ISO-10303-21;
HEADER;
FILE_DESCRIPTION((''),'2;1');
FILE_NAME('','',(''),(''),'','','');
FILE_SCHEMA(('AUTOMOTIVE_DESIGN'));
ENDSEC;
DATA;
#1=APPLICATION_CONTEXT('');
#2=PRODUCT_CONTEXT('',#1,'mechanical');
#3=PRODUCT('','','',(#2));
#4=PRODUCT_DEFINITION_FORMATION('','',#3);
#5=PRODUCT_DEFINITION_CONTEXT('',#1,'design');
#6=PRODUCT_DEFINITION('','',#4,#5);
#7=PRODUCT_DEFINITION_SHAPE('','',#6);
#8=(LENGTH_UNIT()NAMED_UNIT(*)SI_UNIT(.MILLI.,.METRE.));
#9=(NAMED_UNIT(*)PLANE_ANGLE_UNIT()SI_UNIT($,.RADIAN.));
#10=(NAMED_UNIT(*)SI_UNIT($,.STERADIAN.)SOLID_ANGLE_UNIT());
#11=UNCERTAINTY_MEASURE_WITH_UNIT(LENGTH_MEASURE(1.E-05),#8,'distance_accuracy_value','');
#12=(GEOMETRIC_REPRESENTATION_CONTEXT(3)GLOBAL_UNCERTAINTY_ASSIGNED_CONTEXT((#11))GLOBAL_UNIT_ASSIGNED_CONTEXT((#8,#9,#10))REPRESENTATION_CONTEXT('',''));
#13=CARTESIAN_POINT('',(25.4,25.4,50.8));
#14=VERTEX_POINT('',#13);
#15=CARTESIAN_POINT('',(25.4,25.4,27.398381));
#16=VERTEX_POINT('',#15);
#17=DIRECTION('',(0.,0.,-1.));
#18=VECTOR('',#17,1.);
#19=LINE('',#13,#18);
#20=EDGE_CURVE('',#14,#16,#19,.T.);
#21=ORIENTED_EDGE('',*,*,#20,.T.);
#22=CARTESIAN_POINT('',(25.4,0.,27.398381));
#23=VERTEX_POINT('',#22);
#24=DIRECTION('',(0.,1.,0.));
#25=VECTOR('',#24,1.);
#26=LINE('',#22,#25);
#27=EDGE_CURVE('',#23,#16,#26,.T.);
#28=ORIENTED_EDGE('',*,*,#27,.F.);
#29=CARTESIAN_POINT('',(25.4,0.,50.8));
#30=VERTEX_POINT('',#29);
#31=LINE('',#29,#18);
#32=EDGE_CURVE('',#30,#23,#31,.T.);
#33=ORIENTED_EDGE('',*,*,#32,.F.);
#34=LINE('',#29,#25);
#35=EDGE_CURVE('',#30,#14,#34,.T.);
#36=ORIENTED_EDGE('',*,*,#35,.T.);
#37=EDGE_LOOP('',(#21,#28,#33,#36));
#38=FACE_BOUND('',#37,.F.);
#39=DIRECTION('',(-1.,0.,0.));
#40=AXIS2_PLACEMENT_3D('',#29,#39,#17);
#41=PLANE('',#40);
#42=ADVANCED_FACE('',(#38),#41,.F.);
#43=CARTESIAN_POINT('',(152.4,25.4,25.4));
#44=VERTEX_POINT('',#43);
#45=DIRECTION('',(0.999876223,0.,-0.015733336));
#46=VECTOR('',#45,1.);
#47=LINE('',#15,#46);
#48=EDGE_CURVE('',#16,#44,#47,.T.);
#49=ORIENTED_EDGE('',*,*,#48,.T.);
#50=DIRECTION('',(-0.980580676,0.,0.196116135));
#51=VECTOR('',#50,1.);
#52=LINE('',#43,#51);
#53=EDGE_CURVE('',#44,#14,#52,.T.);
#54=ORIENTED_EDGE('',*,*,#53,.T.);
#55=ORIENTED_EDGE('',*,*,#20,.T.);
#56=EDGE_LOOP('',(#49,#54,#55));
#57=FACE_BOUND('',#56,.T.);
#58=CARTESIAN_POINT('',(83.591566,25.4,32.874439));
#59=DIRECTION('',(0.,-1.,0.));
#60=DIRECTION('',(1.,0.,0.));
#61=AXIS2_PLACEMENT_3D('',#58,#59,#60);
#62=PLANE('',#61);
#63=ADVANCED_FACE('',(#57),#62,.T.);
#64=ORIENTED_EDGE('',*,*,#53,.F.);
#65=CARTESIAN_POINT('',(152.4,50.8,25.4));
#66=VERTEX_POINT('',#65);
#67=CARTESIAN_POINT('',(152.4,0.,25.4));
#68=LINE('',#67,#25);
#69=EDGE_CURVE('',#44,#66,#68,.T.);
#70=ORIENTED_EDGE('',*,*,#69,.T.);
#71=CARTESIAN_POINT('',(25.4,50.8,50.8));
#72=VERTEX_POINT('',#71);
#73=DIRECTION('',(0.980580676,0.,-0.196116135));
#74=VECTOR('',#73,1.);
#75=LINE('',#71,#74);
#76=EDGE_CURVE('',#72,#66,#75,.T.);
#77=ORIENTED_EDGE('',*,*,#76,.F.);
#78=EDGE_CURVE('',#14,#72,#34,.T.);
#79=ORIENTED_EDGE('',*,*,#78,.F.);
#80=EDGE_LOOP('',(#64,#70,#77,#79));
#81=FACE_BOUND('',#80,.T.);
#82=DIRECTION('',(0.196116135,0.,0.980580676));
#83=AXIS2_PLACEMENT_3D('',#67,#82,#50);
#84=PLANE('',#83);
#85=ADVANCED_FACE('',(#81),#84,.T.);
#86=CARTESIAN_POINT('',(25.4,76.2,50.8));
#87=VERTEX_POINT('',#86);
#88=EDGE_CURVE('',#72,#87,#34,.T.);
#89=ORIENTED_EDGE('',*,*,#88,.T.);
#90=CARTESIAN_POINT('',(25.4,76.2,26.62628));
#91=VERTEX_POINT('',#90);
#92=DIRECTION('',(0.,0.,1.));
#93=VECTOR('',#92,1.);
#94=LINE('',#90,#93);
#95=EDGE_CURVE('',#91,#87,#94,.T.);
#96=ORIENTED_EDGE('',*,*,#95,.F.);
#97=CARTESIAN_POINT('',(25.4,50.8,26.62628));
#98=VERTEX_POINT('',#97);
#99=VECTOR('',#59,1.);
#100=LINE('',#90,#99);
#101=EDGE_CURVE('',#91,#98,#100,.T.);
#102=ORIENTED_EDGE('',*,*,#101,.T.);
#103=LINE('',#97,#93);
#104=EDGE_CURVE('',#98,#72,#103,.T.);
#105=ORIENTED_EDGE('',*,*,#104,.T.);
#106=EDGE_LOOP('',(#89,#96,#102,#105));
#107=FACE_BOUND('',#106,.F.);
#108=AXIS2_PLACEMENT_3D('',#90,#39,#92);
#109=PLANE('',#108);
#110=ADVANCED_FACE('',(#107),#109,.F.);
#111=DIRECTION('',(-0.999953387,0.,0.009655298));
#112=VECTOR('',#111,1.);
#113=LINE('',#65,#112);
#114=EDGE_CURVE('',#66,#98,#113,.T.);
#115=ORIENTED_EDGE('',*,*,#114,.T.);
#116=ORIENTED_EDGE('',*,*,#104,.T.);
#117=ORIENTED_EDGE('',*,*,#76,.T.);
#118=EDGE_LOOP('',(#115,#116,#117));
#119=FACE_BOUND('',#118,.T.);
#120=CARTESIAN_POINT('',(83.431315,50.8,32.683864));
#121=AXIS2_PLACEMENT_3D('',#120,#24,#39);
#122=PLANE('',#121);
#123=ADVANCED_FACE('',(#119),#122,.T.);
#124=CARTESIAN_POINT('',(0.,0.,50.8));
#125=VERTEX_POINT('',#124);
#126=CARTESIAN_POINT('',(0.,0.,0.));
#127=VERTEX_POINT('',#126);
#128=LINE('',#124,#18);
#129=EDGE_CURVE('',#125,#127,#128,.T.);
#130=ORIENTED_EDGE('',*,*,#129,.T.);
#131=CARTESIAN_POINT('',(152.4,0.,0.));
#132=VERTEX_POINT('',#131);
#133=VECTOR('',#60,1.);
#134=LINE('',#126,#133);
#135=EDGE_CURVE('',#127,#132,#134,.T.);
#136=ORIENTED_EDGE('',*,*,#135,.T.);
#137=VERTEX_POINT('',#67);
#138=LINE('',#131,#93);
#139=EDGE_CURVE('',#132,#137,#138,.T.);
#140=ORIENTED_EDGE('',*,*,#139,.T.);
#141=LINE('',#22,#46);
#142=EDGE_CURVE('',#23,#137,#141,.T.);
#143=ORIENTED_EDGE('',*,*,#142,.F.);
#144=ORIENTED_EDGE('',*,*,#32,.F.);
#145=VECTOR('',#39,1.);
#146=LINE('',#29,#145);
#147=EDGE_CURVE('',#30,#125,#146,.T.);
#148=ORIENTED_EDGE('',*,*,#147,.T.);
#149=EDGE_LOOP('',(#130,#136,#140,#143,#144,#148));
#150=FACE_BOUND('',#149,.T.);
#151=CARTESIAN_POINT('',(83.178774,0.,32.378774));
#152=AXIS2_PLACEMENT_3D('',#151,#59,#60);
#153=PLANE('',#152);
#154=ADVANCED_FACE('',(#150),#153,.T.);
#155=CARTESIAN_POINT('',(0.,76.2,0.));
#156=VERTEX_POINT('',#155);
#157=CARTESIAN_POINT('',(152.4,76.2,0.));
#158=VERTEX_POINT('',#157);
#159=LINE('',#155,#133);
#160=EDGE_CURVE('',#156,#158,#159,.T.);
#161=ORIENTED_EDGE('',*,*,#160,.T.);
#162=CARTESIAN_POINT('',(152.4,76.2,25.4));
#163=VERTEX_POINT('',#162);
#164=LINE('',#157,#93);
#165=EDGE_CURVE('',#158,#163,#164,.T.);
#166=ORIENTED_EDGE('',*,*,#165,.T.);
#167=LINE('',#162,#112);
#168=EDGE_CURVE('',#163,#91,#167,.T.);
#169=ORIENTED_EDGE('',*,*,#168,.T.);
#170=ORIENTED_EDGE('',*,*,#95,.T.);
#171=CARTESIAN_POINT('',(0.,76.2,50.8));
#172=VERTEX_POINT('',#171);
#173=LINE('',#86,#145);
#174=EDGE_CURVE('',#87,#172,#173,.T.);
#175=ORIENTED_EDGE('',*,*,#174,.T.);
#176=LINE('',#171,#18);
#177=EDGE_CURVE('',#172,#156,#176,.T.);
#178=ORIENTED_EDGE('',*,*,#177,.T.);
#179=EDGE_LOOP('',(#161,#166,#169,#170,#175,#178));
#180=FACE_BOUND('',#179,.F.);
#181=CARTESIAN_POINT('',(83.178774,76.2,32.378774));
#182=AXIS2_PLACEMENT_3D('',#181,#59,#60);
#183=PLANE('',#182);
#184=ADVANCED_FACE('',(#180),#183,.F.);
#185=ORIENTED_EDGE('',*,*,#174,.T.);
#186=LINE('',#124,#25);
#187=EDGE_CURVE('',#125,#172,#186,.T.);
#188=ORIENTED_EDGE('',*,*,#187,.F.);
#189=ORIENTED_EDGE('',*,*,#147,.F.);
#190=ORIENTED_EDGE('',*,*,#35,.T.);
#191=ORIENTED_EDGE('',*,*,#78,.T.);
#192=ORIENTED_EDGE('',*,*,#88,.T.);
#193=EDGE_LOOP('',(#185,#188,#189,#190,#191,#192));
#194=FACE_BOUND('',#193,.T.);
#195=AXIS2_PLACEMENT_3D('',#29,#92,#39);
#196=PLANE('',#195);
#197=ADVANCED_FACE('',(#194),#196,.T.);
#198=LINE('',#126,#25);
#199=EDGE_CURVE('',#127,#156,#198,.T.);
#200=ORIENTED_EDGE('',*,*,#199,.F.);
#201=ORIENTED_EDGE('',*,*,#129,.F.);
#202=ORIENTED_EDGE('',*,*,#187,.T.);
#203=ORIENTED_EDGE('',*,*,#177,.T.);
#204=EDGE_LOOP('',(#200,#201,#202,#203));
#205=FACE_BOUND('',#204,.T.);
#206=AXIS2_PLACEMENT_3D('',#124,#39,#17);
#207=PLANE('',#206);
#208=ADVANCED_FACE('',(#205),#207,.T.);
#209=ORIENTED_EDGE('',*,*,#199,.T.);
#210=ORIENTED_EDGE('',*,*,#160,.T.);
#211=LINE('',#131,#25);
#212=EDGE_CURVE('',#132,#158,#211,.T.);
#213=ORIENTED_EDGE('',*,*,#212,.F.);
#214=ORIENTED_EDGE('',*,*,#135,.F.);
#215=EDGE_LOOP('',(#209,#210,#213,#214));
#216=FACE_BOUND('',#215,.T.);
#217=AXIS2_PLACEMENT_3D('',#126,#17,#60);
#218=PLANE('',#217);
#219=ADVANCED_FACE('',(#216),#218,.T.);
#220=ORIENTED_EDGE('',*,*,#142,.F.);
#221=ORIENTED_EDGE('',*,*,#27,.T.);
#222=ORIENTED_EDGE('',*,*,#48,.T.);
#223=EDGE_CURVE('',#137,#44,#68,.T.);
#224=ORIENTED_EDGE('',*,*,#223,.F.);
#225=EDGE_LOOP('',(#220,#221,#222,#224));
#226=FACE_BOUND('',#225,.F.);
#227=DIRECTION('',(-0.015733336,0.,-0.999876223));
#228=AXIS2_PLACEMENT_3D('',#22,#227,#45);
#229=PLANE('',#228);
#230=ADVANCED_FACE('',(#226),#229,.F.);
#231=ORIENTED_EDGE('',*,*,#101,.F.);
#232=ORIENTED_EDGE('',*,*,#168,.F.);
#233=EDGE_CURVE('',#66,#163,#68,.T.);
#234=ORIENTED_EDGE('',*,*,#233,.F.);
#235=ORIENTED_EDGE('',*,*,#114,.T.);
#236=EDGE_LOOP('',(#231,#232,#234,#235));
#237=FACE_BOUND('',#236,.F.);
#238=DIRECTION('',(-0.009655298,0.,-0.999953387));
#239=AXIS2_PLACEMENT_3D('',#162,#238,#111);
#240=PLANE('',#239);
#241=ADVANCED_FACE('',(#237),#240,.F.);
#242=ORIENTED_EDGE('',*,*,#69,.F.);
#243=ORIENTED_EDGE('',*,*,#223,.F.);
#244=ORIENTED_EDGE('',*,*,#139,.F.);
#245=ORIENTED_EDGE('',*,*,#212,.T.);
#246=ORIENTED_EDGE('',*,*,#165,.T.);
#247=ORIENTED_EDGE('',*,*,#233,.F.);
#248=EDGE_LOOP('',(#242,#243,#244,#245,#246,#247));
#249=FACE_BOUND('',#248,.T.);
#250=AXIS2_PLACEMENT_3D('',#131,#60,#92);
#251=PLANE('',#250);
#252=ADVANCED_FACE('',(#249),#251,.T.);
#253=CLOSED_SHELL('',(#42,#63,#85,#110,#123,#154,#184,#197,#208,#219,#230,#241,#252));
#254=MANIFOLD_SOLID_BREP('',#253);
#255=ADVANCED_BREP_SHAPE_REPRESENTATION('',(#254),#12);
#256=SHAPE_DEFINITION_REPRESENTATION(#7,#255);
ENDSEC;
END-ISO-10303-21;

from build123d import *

# Parameters (mm, degrees)
F1_DEPTH = 76.2
F3_DEPTH = 76.2
F5_DEPTH = 25.4
F7_DEPTH = 25.4


with BuildPart() as f1:
    # F0 (on Front) → F1 (new body)
    with BuildSketch(Plane.XZ):
        Polygon((0, 50.8), (0, 0), (152.4, 0), (152.4, 25.4), (25.4, 25.4), (25.4, 50.8), align=None)
    extrude(amount=-F1_DEPTH)

    # F2 (on face) → F3 (join)
    with BuildSketch(Plane.XZ):
        Polygon((152.4, 25.4), (25.4, 50.8), (25.4, 25.4), align=None)
    extrude(amount=-F3_DEPTH)

    # F4 (on face) → F5 (cut)
    with BuildSketch(Plane.XZ):
        Polygon((152.4, 25.4), (25.4, 50.8), (25.4, 27.398381), align=None)
    extrude(amount=-F5_DEPTH, mode=Mode.SUBTRACT)

    # F6 (on face) → F7 (cut)
    with BuildSketch(Plane(origin=(0, 76.2, 0), x_dir=(-1, 0, 0), z_dir=(0, 1, 0))):
        Polygon((-25.4, 26.62628), (-25.4, 50.8), (-152.4, 25.4), align=None)
    extrude(amount=-F7_DEPTH, mode=Mode.SUBTRACT)


solid = f1.part
